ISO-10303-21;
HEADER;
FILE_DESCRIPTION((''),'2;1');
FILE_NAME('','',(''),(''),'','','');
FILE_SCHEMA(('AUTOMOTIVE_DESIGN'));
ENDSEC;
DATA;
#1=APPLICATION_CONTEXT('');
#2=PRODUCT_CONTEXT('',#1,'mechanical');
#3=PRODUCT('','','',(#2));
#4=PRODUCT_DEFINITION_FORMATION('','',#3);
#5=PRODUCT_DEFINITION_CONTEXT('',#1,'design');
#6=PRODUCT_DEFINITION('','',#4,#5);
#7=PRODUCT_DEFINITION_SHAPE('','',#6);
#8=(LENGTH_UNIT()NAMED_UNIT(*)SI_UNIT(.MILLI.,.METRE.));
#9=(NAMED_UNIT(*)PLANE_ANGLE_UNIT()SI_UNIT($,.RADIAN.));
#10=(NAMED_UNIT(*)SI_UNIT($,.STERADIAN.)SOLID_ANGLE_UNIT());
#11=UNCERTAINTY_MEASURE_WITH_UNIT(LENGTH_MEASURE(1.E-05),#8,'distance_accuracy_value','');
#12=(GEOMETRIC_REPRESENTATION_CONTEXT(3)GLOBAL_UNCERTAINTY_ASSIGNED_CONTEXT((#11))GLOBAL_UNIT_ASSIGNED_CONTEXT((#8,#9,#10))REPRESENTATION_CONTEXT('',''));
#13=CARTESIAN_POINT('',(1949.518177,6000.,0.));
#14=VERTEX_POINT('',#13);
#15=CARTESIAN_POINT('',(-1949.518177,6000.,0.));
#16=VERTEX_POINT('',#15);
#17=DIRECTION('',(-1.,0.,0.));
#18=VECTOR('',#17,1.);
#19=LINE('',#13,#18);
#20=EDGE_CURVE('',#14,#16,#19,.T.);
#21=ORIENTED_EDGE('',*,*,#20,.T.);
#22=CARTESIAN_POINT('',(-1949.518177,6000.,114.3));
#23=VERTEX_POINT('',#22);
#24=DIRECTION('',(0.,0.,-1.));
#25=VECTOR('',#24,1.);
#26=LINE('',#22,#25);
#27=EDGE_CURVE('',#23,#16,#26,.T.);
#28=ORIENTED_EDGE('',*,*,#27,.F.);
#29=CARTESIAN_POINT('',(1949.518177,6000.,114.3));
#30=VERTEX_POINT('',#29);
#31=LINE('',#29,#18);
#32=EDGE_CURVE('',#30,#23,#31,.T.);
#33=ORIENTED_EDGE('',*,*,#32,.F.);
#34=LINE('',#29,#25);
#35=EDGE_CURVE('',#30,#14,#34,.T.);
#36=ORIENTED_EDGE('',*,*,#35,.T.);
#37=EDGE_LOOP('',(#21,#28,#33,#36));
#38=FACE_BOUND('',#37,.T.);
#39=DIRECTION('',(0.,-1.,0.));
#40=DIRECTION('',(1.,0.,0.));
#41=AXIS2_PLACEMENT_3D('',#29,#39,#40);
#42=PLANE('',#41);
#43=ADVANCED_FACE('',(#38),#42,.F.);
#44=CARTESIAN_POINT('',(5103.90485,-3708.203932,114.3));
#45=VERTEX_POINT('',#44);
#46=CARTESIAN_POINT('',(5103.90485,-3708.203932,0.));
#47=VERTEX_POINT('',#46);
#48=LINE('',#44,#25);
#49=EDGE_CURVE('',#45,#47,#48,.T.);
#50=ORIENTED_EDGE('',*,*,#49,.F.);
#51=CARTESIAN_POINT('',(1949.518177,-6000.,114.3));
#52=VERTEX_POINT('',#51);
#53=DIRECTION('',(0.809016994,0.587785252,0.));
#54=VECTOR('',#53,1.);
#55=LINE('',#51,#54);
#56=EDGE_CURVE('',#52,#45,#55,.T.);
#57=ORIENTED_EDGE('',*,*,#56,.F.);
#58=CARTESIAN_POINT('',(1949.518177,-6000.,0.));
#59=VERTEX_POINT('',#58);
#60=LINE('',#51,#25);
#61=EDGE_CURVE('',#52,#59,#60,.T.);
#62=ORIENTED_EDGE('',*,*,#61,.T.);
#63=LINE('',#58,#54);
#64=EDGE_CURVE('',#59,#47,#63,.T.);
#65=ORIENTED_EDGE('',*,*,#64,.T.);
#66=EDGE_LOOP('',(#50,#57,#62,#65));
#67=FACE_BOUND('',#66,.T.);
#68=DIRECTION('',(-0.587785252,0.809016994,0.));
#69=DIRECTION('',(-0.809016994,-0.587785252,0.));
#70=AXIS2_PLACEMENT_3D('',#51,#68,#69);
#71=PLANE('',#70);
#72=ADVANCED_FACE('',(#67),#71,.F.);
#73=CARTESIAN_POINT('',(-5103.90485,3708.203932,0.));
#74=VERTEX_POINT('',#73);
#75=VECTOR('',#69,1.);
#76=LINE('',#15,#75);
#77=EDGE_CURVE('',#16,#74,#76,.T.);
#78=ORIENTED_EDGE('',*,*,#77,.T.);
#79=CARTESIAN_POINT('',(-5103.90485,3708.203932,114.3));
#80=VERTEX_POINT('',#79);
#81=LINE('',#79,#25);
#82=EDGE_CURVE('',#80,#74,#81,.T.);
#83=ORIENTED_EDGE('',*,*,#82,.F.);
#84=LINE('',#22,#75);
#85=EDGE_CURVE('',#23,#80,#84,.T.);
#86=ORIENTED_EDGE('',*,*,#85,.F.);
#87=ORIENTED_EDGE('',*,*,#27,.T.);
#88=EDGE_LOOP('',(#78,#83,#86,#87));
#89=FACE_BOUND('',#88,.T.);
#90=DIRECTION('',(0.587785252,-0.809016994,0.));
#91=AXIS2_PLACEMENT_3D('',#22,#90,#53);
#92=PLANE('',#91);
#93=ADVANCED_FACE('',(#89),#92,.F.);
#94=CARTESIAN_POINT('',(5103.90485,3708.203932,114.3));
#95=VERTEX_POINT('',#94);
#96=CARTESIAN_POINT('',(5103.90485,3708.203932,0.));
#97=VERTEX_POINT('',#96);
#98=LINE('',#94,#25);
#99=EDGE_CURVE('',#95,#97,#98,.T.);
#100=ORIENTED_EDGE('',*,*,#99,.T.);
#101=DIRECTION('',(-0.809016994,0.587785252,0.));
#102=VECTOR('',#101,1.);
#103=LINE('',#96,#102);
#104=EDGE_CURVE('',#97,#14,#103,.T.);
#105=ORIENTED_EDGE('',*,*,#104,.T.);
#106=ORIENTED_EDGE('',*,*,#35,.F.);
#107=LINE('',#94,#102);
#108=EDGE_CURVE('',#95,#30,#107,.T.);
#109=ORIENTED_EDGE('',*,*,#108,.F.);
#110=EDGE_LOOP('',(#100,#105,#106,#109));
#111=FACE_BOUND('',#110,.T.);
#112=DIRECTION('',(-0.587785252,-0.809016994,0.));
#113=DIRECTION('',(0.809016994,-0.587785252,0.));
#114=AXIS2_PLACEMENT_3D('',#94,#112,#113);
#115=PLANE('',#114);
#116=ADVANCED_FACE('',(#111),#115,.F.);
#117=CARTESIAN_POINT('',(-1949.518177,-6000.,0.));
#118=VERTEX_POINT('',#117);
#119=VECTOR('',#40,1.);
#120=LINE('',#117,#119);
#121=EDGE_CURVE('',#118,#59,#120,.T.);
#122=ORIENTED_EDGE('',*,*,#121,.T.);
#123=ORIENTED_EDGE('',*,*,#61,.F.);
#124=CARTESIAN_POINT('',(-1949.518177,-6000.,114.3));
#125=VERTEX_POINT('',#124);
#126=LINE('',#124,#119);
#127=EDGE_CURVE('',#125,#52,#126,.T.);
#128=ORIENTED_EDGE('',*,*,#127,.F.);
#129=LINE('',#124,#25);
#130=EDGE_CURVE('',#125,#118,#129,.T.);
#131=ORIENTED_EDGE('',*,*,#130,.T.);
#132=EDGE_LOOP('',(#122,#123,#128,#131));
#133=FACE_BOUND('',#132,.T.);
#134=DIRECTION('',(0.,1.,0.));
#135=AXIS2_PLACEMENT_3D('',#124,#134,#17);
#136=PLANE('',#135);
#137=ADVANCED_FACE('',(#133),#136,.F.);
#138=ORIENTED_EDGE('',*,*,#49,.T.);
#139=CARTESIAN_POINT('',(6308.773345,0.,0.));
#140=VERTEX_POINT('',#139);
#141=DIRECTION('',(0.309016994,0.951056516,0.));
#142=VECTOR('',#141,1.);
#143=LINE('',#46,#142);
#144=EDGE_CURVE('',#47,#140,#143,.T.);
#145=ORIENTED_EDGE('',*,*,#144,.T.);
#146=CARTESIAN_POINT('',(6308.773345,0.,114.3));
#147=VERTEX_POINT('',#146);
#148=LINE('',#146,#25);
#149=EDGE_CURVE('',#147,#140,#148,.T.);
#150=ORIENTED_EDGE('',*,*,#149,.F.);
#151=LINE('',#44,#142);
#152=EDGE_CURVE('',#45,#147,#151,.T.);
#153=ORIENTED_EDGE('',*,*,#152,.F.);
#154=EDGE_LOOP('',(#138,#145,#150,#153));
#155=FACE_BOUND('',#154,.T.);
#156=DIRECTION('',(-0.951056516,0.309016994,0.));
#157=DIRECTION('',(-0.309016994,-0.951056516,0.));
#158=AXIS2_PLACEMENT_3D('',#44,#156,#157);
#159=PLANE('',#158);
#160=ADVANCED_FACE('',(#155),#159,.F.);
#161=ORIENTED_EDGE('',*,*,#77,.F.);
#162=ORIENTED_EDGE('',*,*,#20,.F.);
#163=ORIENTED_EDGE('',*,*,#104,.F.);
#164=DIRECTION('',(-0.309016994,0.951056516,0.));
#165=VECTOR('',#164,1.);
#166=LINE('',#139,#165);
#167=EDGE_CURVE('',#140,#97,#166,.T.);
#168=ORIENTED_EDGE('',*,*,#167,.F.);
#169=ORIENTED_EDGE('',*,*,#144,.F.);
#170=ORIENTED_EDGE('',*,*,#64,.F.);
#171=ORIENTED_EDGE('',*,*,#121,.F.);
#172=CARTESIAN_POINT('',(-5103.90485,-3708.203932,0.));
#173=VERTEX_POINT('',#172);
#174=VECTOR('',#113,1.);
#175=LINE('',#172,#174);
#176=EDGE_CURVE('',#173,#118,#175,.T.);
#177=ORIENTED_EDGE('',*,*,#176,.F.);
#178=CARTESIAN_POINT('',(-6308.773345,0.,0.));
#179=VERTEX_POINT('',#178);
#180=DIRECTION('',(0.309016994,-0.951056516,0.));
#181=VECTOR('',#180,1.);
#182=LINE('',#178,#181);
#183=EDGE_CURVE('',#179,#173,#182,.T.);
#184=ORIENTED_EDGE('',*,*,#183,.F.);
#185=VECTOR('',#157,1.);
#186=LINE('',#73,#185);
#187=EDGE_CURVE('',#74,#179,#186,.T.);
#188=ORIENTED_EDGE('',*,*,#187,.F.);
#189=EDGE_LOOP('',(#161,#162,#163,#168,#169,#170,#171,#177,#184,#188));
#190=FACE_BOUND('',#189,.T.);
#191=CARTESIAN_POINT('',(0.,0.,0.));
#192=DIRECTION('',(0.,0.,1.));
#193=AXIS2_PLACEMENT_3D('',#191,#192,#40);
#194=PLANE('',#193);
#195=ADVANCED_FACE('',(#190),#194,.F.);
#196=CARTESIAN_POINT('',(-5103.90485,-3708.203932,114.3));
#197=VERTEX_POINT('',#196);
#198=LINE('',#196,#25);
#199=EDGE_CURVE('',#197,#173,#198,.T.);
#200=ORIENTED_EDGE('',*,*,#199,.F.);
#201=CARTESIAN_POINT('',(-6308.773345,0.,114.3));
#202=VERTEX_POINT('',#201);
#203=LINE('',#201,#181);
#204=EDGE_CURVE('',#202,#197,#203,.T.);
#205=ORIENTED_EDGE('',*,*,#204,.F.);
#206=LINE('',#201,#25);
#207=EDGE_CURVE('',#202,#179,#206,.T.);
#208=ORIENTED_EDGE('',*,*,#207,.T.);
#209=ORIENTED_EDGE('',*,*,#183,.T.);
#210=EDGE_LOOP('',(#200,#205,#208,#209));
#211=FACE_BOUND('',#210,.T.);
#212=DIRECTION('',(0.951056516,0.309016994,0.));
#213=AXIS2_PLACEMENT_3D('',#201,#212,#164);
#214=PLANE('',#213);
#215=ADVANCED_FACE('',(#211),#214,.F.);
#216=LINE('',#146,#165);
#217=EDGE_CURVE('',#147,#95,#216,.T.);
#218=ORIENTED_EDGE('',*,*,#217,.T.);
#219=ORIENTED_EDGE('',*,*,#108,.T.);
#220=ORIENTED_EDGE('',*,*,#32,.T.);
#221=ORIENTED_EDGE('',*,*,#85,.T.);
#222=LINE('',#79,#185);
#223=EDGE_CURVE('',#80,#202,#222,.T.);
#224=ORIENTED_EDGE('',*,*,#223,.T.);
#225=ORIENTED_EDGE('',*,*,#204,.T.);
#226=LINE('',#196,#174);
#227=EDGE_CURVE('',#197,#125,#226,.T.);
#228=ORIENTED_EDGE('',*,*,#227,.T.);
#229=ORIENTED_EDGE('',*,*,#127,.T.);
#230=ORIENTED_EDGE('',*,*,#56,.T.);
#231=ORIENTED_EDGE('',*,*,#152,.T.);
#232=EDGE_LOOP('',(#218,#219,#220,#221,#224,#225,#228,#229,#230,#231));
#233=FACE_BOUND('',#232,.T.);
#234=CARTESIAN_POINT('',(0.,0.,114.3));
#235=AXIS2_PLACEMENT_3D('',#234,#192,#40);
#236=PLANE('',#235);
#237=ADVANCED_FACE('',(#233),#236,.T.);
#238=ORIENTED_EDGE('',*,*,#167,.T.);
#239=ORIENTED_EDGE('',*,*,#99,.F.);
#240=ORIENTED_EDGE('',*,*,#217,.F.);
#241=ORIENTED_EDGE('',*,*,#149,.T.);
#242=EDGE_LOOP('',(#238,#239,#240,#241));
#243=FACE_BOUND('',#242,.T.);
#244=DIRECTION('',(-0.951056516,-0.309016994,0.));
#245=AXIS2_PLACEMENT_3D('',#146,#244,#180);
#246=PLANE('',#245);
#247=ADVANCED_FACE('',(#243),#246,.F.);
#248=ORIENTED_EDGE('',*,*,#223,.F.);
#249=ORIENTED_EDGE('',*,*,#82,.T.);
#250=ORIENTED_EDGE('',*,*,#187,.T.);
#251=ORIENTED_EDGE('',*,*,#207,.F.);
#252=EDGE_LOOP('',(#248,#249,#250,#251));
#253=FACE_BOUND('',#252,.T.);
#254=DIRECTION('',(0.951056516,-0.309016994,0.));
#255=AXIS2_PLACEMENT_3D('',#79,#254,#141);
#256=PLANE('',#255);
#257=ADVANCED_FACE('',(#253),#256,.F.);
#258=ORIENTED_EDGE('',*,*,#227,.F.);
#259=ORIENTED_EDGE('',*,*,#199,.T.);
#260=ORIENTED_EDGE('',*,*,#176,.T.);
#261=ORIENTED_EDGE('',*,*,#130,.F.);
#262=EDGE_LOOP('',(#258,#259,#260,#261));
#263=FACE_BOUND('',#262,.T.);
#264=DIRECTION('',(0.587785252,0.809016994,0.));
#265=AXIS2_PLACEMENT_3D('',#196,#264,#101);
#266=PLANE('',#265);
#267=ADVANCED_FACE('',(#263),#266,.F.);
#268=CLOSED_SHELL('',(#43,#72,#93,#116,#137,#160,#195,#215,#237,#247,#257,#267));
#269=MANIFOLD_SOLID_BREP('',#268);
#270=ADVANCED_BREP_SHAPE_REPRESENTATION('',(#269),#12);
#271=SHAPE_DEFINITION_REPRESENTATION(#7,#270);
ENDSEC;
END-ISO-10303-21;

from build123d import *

# Parameters (mm, degrees)
BOSS_EXTRUDE1_DEPTH = 114.3


with BuildPart() as part:
    # Sketch1 → Boss-Extrude1 (new body)
    with BuildSketch(Plane.XY):
        Polygon((6308.77334543, 0), (5103.904850112, 3708.203932499), (1949.518177397, 6000), (-1949.518177397, 6000), (-5103.904850112, 3708.203932499), (-6308.77334543, 0), (-5103.904850112, -3708.203932499), (-1949.518177397, -6000), (1949.518177397, -6000), (5103.904850112, -3708.203932499), align=None)
    extrude(amount=BOSS_EXTRUDE1_DEPTH)


solid = part.part
